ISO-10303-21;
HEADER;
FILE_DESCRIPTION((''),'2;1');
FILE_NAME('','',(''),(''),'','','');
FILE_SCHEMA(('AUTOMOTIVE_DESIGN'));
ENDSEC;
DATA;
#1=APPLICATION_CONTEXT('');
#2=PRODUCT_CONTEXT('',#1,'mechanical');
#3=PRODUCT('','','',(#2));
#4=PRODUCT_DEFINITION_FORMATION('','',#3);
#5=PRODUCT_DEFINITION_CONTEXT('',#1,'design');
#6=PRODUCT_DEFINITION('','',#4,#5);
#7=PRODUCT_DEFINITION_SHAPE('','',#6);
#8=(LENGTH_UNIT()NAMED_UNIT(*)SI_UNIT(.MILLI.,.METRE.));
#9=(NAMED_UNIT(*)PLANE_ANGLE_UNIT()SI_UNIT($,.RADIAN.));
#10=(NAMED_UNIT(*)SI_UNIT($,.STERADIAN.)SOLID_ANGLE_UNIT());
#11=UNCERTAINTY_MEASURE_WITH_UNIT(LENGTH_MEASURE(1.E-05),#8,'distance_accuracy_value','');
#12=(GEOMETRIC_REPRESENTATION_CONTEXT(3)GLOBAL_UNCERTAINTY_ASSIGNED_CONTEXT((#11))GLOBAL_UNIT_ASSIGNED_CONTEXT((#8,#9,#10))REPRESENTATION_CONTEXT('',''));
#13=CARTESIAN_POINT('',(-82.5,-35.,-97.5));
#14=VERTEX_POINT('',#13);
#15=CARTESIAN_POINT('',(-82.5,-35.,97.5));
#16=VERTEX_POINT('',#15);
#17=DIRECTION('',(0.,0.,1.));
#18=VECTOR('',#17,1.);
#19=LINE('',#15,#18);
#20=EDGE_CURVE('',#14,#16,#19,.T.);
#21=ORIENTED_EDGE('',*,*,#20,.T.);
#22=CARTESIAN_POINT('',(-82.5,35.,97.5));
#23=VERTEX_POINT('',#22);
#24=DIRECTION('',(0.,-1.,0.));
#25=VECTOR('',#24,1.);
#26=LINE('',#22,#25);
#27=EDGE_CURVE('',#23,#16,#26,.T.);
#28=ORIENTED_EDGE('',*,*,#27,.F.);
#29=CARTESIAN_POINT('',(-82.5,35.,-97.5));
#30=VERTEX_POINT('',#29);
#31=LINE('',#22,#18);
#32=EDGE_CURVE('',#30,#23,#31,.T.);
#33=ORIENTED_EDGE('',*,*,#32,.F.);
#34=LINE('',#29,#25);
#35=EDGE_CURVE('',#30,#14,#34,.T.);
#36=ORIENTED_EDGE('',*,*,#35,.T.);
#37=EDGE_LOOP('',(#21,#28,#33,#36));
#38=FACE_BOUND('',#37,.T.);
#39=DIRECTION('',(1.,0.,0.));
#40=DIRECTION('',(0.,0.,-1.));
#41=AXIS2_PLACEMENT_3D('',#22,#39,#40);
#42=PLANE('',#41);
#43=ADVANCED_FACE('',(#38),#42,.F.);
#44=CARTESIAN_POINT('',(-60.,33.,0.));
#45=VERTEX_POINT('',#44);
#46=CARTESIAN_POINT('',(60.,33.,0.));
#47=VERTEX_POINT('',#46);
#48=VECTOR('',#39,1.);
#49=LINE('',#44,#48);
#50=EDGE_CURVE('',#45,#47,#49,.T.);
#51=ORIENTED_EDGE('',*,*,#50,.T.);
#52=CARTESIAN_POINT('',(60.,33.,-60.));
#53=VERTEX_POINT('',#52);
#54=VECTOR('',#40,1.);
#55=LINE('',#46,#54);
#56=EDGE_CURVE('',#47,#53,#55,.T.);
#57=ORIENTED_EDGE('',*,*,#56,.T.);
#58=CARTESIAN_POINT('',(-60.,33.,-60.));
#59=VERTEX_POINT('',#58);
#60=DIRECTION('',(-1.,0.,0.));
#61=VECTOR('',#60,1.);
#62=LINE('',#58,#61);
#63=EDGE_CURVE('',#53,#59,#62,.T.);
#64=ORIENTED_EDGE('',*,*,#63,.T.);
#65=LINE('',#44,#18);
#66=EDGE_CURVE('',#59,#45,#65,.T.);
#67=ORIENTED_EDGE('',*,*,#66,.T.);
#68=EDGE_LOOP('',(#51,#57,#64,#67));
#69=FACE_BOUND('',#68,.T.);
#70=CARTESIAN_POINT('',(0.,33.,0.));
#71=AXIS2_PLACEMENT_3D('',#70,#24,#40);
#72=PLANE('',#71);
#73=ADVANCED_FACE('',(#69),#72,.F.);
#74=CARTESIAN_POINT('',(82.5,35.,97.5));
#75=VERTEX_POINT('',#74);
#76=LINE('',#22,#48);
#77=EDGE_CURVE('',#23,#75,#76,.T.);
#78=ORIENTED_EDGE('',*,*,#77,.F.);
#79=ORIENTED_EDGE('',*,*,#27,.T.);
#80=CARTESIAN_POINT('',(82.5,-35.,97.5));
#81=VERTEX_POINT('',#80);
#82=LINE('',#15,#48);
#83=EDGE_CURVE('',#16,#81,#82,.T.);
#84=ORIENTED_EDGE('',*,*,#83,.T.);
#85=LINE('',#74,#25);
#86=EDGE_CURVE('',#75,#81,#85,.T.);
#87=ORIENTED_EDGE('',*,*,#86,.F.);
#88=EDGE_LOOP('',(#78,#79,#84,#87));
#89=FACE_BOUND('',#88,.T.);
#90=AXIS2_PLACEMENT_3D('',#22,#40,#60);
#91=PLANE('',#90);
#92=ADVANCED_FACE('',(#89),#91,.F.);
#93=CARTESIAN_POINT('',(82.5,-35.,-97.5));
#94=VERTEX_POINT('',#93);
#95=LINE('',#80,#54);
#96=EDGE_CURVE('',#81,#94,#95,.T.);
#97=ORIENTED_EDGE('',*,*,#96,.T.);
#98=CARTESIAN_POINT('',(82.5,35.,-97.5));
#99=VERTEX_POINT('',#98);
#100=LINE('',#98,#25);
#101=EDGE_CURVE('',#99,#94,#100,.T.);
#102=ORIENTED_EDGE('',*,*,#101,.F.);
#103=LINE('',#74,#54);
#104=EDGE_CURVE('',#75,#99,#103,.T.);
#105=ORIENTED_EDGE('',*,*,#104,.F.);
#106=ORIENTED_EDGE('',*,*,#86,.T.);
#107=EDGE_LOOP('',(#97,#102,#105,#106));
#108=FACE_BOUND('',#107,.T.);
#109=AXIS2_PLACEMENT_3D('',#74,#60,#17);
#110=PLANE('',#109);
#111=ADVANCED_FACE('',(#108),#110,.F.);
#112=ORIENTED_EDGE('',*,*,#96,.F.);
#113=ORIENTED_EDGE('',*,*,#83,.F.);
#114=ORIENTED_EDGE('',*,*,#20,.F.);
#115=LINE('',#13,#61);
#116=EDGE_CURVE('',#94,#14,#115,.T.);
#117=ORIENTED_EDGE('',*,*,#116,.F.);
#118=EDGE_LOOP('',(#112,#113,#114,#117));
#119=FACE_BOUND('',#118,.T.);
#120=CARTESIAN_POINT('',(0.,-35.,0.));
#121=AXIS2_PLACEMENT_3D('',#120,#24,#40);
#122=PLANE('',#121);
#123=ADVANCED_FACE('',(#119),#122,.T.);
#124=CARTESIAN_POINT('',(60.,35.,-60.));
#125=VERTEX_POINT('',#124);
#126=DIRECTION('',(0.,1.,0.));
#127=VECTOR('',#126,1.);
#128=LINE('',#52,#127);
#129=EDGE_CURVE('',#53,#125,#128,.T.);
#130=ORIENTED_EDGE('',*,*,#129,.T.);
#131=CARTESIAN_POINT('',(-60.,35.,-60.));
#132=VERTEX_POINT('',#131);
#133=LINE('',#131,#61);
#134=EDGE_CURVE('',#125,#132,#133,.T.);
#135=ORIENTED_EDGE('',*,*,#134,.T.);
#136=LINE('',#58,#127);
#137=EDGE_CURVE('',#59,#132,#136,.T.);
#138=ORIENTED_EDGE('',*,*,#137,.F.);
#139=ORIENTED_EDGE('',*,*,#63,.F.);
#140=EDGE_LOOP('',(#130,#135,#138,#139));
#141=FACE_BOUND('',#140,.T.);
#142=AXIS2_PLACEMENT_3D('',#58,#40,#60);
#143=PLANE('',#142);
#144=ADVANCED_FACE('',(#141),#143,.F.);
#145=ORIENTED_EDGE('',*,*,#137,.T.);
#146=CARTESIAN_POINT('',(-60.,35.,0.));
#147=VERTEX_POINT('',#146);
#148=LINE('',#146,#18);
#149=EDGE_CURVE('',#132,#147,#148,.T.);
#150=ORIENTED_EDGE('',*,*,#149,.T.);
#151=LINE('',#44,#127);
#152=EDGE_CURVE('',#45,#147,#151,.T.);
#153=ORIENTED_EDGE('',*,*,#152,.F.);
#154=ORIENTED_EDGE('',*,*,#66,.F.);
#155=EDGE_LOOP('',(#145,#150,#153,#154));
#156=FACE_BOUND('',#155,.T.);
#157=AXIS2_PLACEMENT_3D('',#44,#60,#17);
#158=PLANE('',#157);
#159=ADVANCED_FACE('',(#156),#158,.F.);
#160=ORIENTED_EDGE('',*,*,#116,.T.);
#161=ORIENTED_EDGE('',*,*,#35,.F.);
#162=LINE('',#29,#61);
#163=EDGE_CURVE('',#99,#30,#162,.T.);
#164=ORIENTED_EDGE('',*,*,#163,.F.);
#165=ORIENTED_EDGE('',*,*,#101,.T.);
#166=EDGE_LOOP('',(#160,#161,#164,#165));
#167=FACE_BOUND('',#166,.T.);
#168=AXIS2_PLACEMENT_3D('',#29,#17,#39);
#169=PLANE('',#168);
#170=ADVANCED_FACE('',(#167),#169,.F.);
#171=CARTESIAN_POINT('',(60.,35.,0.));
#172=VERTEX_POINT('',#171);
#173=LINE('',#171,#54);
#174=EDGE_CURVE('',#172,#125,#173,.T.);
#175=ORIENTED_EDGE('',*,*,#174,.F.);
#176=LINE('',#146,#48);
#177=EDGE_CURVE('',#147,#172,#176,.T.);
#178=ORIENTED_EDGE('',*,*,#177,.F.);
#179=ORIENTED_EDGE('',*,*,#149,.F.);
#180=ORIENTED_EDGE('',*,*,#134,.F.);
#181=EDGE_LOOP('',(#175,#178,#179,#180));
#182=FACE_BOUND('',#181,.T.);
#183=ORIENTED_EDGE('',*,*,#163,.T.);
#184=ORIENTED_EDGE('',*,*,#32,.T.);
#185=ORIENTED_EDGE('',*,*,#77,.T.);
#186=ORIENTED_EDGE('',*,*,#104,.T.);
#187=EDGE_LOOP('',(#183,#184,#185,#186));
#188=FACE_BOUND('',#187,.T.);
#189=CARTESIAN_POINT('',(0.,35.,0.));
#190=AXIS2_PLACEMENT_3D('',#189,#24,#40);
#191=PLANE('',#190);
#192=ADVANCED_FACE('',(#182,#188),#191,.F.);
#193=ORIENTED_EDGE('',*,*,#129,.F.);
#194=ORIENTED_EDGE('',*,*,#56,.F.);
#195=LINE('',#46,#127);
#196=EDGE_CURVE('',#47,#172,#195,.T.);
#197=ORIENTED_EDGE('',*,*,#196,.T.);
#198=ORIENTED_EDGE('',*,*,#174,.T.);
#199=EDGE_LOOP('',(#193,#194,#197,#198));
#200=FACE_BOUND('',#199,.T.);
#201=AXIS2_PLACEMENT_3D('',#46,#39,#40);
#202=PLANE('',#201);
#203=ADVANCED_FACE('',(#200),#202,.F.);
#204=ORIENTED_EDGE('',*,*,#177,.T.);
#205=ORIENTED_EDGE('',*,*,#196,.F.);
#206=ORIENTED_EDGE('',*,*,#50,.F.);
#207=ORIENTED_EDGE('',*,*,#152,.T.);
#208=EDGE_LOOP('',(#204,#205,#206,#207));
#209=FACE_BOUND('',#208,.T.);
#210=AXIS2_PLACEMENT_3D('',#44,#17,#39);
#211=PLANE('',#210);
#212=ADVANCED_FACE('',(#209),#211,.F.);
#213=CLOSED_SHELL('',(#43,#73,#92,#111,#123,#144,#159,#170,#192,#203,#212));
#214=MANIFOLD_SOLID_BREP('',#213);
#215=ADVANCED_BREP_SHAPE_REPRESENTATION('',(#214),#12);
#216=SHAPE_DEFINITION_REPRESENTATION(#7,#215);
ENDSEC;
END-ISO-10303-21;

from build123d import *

# Parameters (mm, degrees)
ESQUISSE1_W             = 165
ESQUISSE1_H             = 195
BOSS_EXTRU_1_DEPTH      = 35
ESQUISSE4_W             = 120
ESQUISSE4_H             = 60
ENL_V_MAT_EXTRU_1_DEPTH = 2


with BuildPart() as part:
    # Esquisse1 → Boss.-Extru.1 (new body, symmetric)
    with BuildSketch(Plane(origin=(0, 0, 0), x_dir=(1, 0, 0), z_dir=(0, 1, 0))):
        Rectangle(ESQUISSE1_W, ESQUISSE1_H)
    extrude(amount=BOSS_EXTRU_1_DEPTH, both=True)

    # Esquisse4 → Enlèv. mat.-Extru.1 (cut)
    with BuildSketch(Plane(origin=(0, 35, 0), x_dir=(1, 0, 0), z_dir=(0, 1, 0))):
        with Locations((0, 30)):
            Rectangle(ESQUISSE4_W, ESQUISSE4_H)
    extrude(amount=-ENL_V_MAT_EXTRU_1_DEPTH, mode=Mode.SUBTRACT)


solid = part.part
